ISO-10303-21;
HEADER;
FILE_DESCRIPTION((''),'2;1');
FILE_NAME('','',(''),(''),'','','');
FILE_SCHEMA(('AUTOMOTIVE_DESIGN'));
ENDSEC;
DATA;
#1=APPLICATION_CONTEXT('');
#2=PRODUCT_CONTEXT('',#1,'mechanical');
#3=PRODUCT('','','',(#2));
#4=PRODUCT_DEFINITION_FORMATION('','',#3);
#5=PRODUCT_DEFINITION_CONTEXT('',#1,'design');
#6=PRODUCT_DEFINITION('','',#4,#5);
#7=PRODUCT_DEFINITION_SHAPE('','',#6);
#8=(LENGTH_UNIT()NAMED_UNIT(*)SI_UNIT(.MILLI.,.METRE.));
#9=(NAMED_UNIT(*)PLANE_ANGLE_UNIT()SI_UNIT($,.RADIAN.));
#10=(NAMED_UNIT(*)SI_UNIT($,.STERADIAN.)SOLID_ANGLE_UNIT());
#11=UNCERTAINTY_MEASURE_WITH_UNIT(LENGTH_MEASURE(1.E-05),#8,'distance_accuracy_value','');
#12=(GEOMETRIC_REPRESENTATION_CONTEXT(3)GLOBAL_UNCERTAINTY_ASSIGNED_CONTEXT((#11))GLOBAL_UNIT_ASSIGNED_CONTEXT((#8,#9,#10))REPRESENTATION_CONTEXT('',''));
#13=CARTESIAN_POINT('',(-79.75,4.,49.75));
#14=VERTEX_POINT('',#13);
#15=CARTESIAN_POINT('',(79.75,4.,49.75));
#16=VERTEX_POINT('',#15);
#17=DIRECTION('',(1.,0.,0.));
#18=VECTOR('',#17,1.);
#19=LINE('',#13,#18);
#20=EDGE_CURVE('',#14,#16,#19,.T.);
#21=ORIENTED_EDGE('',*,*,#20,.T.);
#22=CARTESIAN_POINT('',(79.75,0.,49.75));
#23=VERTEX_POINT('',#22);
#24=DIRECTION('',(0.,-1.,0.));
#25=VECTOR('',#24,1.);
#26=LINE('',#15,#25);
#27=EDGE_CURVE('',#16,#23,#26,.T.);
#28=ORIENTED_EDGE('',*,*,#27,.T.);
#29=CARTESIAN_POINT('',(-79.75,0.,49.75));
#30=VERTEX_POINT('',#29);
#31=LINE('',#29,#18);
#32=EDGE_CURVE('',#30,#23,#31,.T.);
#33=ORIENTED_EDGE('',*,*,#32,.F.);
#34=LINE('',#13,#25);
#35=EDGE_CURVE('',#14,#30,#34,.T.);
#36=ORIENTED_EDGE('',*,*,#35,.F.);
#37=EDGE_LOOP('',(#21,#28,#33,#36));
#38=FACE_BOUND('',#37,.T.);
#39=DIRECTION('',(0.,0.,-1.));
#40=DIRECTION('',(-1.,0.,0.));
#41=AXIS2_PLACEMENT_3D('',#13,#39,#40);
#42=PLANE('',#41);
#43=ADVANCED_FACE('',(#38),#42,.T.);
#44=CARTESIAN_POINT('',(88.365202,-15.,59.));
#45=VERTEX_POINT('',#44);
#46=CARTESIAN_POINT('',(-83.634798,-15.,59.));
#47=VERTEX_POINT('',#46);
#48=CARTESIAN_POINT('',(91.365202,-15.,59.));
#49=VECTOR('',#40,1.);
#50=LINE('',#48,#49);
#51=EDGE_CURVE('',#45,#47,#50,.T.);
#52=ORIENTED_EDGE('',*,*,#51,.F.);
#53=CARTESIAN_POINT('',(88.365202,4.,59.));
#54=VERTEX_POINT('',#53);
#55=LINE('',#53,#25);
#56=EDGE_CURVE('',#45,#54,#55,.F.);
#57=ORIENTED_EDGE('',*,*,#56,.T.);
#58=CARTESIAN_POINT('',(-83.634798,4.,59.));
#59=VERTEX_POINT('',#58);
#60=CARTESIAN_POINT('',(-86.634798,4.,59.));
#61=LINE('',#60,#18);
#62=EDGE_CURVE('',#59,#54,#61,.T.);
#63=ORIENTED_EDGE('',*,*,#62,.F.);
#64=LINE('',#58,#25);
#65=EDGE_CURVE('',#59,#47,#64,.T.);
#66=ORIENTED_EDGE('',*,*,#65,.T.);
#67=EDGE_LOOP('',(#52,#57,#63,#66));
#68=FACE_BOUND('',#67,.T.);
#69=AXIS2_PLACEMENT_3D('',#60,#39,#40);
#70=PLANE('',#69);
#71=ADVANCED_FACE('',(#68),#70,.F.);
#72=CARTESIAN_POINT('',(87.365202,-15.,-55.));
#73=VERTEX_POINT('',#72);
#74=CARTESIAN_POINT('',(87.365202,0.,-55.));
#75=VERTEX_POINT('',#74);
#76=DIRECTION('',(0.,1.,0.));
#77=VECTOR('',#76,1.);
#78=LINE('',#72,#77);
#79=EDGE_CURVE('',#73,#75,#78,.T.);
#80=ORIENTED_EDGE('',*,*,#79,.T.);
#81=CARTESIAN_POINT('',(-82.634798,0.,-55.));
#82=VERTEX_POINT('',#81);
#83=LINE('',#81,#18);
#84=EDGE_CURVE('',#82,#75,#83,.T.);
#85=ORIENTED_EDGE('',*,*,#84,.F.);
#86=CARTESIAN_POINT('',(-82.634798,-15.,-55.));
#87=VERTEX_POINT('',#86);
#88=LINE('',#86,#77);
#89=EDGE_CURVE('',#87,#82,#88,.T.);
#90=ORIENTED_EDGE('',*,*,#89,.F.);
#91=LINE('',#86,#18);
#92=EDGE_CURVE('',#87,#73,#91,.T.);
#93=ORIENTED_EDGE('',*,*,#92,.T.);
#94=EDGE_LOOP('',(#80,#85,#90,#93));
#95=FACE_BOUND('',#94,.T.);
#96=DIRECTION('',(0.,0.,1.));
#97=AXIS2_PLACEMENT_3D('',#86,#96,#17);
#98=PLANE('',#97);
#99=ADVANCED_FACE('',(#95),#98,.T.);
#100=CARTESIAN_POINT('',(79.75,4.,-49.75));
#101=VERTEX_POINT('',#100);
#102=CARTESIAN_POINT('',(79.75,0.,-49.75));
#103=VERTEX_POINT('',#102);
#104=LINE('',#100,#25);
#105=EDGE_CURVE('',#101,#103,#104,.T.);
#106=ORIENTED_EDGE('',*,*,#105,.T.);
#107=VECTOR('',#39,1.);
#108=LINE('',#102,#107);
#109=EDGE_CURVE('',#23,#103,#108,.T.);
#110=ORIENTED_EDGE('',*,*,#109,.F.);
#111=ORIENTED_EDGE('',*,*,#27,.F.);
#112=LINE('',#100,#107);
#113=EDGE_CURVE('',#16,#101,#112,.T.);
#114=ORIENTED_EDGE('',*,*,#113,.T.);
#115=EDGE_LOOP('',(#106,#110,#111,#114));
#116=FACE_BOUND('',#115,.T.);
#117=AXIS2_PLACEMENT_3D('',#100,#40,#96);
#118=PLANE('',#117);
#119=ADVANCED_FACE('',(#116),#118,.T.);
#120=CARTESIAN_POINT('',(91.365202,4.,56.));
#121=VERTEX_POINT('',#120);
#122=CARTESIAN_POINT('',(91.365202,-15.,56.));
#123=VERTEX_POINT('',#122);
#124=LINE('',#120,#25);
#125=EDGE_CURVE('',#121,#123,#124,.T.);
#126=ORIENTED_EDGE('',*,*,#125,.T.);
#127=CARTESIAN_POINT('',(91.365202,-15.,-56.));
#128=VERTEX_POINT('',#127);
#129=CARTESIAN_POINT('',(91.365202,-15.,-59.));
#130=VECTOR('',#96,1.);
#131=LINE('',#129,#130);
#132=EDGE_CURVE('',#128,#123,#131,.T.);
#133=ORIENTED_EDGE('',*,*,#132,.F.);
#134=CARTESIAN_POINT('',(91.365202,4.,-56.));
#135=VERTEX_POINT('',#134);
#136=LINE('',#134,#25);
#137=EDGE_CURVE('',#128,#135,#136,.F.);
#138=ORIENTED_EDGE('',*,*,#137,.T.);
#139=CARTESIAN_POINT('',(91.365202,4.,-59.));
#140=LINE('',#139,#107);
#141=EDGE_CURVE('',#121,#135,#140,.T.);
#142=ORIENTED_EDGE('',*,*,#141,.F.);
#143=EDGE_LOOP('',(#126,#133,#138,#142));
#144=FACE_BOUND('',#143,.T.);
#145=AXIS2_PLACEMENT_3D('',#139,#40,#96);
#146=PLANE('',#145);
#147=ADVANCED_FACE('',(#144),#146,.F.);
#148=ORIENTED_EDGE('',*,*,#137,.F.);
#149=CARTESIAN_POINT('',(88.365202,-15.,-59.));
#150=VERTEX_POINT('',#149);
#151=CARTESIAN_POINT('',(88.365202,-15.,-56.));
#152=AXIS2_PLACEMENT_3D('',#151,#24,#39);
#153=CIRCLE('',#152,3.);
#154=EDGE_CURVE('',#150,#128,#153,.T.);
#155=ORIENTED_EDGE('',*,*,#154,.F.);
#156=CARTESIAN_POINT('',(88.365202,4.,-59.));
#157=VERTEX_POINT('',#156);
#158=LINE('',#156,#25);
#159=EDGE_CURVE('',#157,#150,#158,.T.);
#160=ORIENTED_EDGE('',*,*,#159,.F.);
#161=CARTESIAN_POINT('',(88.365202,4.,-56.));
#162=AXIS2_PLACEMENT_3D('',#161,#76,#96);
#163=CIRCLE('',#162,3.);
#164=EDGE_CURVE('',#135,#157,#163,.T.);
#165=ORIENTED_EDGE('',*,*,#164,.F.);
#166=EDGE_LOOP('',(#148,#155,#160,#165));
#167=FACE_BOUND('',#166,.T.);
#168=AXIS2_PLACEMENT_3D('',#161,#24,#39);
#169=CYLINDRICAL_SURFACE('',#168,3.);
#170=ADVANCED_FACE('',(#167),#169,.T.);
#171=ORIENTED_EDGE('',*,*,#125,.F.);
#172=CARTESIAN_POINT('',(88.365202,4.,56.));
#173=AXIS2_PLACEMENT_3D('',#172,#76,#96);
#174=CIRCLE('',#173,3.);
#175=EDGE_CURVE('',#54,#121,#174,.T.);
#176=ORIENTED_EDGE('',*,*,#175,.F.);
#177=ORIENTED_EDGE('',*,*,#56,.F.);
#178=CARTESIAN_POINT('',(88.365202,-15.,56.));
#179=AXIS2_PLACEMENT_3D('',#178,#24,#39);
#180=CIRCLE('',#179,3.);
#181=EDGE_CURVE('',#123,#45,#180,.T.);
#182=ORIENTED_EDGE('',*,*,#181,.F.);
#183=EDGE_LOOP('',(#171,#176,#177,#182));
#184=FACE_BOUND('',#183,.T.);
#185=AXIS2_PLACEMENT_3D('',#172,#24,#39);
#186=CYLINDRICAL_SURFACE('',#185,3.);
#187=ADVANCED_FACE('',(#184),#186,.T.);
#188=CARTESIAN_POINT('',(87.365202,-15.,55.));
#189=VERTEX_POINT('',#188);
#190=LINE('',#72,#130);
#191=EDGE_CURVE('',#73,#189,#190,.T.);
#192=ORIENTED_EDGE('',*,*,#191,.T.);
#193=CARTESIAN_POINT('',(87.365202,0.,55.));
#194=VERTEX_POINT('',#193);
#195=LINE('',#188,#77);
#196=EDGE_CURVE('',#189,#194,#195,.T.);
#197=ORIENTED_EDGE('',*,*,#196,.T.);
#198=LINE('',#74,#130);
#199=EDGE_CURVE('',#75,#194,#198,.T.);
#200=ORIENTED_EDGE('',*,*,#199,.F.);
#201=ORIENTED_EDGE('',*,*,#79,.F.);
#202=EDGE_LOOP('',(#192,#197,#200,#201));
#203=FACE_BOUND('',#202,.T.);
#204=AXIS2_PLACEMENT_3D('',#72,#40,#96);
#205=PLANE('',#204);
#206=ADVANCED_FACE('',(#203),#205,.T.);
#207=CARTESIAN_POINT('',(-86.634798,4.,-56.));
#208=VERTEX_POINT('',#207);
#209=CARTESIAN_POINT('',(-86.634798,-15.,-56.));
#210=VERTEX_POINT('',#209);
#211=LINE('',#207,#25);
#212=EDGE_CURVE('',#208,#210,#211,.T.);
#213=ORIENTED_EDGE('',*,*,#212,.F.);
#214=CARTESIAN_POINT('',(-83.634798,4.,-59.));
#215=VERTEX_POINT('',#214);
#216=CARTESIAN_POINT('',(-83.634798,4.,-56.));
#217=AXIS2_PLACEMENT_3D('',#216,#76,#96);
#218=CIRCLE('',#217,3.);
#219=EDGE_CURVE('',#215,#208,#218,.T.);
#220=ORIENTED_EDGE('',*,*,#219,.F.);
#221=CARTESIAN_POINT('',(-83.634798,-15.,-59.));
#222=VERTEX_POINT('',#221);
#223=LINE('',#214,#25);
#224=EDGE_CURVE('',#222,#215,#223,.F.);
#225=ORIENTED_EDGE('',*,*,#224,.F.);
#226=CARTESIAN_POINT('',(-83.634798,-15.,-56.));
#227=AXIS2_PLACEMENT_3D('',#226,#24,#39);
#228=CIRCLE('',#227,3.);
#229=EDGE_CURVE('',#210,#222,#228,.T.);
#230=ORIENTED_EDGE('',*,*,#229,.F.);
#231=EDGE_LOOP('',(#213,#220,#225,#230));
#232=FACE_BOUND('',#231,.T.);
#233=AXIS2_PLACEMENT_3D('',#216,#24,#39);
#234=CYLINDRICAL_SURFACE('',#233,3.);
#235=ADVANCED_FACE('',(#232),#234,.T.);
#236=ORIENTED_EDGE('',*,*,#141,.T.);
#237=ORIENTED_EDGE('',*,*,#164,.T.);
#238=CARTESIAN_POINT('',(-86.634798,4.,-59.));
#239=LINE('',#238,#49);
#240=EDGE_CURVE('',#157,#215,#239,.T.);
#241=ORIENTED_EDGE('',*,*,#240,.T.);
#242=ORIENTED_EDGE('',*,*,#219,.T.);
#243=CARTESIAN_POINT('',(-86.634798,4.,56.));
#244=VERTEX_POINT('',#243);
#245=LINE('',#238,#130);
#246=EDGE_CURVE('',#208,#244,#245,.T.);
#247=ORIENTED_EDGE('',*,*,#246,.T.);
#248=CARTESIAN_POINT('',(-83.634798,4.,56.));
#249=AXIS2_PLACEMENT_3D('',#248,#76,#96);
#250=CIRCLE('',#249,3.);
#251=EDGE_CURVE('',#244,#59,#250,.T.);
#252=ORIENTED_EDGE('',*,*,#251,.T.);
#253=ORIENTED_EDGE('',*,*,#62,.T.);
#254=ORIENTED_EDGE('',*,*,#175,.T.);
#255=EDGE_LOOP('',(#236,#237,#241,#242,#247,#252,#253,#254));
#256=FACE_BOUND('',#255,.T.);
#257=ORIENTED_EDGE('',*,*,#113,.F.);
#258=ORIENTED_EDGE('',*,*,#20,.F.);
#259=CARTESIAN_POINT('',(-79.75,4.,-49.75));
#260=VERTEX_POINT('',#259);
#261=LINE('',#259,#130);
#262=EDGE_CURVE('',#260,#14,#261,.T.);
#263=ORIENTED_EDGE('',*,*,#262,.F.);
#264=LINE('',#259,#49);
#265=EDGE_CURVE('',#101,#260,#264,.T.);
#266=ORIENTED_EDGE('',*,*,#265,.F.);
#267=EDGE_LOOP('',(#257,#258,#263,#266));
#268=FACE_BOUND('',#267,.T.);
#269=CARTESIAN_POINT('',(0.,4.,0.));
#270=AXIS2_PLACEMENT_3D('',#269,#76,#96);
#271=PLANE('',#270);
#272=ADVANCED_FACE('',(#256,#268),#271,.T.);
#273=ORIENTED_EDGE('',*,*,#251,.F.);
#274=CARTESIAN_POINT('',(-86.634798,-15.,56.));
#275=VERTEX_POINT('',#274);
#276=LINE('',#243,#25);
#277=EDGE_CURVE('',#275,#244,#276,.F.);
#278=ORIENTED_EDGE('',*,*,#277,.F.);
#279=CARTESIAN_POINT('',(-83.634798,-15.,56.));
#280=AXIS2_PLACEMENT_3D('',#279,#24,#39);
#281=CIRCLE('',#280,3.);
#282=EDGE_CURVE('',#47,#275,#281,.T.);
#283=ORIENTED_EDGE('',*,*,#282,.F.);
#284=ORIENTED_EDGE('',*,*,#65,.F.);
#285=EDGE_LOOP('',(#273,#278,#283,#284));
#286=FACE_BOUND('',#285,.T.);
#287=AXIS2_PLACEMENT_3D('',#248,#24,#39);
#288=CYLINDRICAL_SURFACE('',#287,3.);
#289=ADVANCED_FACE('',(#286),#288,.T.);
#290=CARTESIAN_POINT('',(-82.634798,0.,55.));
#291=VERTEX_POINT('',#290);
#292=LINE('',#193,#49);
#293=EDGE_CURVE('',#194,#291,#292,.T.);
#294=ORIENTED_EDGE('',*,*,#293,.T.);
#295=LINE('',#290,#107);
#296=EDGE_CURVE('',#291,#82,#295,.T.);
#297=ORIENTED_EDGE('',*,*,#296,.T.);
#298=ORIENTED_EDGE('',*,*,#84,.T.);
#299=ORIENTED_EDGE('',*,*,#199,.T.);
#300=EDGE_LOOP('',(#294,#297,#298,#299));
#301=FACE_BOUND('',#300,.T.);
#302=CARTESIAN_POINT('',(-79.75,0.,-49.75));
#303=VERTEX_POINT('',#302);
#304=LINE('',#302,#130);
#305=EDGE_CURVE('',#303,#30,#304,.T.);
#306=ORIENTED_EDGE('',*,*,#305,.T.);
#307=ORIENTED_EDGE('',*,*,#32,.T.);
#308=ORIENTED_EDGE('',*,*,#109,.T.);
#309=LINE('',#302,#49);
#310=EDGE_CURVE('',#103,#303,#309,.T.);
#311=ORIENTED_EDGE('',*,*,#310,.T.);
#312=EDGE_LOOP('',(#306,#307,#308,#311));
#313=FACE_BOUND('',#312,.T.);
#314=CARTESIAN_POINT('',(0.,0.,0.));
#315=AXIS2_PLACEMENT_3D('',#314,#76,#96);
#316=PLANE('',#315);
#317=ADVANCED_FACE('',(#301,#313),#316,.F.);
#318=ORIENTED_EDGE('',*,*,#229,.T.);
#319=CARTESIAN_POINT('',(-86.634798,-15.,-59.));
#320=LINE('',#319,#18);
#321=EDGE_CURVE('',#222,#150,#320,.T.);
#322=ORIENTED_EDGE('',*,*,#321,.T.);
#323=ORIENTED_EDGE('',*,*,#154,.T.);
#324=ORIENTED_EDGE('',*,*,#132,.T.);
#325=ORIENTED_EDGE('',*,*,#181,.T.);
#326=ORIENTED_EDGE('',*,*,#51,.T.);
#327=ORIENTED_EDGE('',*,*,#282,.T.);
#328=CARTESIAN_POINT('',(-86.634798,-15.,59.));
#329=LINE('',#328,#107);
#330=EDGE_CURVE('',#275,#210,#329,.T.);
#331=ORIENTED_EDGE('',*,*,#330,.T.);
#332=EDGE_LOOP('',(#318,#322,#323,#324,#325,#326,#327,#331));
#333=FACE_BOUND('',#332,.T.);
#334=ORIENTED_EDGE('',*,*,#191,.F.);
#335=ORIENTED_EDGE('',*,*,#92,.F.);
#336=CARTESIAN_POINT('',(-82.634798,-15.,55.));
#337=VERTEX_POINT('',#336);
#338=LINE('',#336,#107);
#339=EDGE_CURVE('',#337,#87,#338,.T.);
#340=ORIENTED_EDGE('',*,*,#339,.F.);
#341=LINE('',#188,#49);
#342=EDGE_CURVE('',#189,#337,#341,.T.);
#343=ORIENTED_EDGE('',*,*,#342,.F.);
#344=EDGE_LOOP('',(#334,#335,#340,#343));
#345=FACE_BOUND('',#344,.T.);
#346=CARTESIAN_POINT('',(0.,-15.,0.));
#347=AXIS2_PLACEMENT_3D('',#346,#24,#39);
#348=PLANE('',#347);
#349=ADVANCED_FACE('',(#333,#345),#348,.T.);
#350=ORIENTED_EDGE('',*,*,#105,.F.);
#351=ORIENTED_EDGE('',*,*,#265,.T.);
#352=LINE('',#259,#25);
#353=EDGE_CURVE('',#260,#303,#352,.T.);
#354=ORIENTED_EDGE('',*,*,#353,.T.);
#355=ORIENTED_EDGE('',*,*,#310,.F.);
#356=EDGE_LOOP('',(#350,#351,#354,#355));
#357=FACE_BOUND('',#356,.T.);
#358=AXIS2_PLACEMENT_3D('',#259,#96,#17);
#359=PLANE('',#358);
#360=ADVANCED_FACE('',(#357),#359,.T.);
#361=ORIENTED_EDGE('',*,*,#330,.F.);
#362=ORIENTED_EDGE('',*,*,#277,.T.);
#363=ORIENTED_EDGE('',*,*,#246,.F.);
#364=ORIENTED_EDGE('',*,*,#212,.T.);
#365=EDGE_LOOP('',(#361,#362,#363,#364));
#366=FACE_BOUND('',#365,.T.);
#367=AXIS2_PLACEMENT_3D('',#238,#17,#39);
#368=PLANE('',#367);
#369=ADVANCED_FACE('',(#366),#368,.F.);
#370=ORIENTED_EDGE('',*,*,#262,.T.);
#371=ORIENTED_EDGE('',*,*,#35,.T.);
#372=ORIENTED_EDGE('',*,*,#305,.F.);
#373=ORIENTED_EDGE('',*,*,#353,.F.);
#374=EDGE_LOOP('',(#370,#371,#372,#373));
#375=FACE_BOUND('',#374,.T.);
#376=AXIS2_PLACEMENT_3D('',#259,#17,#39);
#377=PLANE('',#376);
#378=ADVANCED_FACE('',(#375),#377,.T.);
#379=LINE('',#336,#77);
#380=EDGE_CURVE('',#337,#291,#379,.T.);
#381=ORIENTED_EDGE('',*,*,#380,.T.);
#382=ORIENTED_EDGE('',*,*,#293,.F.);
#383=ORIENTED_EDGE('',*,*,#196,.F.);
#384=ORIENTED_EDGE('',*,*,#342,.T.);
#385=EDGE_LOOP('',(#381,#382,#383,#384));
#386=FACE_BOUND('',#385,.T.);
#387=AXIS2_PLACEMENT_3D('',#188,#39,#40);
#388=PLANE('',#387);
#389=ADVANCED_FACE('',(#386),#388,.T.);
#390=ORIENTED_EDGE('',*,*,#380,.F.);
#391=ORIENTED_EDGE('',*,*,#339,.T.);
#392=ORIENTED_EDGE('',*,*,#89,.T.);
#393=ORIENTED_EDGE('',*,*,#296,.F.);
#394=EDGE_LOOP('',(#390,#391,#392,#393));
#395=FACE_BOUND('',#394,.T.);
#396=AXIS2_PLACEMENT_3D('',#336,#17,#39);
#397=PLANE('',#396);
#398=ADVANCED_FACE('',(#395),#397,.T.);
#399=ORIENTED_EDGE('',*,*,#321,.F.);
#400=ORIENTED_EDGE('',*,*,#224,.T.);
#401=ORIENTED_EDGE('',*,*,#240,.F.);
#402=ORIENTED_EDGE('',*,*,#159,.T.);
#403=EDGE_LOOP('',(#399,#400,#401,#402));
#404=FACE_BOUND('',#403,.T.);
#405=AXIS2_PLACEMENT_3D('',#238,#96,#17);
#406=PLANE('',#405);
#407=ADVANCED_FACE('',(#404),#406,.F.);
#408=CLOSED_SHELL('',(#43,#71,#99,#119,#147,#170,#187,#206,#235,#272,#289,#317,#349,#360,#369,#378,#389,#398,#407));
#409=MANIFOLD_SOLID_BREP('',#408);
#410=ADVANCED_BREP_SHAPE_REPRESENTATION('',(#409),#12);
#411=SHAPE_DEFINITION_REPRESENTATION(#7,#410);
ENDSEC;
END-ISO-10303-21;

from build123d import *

# Parameters (mm, degrees)
SKETCH1_W           = 178
SKETCH1_H           = 118
SKETCH1_W_2         = 159.5
SKETCH1_H_2         = 99.5
BOSS_EXTRUDE1_DEPTH = 4
SKETCH2_W           = 178
SKETCH2_H           = 118
SKETCH2_W_2         = 170
SKETCH2_H_2         = 110
BOSS_EXTRUDE2_DEPTH = 15
FILLET1_R           = 3


with BuildPart() as part:
    # Sketch1 → Boss-Extrude1 (new body)
    with BuildSketch(Plane(origin=(0, 0, 0), x_dir=(1, 0, 0), z_dir=(0, 1, 0))):
        with Locations((2.365202132, 0)):
            Rectangle(SKETCH1_W, SKETCH1_H)
        Rectangle(SKETCH1_W_2, SKETCH1_H_2, mode=Mode.SUBTRACT)
    extrude(amount=BOSS_EXTRUDE1_DEPTH)

    # Sketch2 → Boss-Extrude2 (add)
    with BuildSketch(Plane.XZ):
        with Locations((2.365202132, 0)):
            Rectangle(SKETCH2_W, SKETCH2_H)
        with Locations((2.365202132, 0)):
            Rectangle(SKETCH2_W_2, SKETCH2_H_2, mode=Mode.SUBTRACT)
    extrude(amount=BOSS_EXTRUDE2_DEPTH)

    # Fillet1
    fillet1_edges = [part.edges().sort_by_distance(p)[0] for p in [
        (-86.634797868, -5.5, -59),
        (91.365202132, -5.5, -59),
        (91.365202132, -5.5, 59),
        (-86.634797868, -5.5, 59),
    ]]
    fillet(fillet1_edges, radius=FILLET1_R)


solid = part.part
